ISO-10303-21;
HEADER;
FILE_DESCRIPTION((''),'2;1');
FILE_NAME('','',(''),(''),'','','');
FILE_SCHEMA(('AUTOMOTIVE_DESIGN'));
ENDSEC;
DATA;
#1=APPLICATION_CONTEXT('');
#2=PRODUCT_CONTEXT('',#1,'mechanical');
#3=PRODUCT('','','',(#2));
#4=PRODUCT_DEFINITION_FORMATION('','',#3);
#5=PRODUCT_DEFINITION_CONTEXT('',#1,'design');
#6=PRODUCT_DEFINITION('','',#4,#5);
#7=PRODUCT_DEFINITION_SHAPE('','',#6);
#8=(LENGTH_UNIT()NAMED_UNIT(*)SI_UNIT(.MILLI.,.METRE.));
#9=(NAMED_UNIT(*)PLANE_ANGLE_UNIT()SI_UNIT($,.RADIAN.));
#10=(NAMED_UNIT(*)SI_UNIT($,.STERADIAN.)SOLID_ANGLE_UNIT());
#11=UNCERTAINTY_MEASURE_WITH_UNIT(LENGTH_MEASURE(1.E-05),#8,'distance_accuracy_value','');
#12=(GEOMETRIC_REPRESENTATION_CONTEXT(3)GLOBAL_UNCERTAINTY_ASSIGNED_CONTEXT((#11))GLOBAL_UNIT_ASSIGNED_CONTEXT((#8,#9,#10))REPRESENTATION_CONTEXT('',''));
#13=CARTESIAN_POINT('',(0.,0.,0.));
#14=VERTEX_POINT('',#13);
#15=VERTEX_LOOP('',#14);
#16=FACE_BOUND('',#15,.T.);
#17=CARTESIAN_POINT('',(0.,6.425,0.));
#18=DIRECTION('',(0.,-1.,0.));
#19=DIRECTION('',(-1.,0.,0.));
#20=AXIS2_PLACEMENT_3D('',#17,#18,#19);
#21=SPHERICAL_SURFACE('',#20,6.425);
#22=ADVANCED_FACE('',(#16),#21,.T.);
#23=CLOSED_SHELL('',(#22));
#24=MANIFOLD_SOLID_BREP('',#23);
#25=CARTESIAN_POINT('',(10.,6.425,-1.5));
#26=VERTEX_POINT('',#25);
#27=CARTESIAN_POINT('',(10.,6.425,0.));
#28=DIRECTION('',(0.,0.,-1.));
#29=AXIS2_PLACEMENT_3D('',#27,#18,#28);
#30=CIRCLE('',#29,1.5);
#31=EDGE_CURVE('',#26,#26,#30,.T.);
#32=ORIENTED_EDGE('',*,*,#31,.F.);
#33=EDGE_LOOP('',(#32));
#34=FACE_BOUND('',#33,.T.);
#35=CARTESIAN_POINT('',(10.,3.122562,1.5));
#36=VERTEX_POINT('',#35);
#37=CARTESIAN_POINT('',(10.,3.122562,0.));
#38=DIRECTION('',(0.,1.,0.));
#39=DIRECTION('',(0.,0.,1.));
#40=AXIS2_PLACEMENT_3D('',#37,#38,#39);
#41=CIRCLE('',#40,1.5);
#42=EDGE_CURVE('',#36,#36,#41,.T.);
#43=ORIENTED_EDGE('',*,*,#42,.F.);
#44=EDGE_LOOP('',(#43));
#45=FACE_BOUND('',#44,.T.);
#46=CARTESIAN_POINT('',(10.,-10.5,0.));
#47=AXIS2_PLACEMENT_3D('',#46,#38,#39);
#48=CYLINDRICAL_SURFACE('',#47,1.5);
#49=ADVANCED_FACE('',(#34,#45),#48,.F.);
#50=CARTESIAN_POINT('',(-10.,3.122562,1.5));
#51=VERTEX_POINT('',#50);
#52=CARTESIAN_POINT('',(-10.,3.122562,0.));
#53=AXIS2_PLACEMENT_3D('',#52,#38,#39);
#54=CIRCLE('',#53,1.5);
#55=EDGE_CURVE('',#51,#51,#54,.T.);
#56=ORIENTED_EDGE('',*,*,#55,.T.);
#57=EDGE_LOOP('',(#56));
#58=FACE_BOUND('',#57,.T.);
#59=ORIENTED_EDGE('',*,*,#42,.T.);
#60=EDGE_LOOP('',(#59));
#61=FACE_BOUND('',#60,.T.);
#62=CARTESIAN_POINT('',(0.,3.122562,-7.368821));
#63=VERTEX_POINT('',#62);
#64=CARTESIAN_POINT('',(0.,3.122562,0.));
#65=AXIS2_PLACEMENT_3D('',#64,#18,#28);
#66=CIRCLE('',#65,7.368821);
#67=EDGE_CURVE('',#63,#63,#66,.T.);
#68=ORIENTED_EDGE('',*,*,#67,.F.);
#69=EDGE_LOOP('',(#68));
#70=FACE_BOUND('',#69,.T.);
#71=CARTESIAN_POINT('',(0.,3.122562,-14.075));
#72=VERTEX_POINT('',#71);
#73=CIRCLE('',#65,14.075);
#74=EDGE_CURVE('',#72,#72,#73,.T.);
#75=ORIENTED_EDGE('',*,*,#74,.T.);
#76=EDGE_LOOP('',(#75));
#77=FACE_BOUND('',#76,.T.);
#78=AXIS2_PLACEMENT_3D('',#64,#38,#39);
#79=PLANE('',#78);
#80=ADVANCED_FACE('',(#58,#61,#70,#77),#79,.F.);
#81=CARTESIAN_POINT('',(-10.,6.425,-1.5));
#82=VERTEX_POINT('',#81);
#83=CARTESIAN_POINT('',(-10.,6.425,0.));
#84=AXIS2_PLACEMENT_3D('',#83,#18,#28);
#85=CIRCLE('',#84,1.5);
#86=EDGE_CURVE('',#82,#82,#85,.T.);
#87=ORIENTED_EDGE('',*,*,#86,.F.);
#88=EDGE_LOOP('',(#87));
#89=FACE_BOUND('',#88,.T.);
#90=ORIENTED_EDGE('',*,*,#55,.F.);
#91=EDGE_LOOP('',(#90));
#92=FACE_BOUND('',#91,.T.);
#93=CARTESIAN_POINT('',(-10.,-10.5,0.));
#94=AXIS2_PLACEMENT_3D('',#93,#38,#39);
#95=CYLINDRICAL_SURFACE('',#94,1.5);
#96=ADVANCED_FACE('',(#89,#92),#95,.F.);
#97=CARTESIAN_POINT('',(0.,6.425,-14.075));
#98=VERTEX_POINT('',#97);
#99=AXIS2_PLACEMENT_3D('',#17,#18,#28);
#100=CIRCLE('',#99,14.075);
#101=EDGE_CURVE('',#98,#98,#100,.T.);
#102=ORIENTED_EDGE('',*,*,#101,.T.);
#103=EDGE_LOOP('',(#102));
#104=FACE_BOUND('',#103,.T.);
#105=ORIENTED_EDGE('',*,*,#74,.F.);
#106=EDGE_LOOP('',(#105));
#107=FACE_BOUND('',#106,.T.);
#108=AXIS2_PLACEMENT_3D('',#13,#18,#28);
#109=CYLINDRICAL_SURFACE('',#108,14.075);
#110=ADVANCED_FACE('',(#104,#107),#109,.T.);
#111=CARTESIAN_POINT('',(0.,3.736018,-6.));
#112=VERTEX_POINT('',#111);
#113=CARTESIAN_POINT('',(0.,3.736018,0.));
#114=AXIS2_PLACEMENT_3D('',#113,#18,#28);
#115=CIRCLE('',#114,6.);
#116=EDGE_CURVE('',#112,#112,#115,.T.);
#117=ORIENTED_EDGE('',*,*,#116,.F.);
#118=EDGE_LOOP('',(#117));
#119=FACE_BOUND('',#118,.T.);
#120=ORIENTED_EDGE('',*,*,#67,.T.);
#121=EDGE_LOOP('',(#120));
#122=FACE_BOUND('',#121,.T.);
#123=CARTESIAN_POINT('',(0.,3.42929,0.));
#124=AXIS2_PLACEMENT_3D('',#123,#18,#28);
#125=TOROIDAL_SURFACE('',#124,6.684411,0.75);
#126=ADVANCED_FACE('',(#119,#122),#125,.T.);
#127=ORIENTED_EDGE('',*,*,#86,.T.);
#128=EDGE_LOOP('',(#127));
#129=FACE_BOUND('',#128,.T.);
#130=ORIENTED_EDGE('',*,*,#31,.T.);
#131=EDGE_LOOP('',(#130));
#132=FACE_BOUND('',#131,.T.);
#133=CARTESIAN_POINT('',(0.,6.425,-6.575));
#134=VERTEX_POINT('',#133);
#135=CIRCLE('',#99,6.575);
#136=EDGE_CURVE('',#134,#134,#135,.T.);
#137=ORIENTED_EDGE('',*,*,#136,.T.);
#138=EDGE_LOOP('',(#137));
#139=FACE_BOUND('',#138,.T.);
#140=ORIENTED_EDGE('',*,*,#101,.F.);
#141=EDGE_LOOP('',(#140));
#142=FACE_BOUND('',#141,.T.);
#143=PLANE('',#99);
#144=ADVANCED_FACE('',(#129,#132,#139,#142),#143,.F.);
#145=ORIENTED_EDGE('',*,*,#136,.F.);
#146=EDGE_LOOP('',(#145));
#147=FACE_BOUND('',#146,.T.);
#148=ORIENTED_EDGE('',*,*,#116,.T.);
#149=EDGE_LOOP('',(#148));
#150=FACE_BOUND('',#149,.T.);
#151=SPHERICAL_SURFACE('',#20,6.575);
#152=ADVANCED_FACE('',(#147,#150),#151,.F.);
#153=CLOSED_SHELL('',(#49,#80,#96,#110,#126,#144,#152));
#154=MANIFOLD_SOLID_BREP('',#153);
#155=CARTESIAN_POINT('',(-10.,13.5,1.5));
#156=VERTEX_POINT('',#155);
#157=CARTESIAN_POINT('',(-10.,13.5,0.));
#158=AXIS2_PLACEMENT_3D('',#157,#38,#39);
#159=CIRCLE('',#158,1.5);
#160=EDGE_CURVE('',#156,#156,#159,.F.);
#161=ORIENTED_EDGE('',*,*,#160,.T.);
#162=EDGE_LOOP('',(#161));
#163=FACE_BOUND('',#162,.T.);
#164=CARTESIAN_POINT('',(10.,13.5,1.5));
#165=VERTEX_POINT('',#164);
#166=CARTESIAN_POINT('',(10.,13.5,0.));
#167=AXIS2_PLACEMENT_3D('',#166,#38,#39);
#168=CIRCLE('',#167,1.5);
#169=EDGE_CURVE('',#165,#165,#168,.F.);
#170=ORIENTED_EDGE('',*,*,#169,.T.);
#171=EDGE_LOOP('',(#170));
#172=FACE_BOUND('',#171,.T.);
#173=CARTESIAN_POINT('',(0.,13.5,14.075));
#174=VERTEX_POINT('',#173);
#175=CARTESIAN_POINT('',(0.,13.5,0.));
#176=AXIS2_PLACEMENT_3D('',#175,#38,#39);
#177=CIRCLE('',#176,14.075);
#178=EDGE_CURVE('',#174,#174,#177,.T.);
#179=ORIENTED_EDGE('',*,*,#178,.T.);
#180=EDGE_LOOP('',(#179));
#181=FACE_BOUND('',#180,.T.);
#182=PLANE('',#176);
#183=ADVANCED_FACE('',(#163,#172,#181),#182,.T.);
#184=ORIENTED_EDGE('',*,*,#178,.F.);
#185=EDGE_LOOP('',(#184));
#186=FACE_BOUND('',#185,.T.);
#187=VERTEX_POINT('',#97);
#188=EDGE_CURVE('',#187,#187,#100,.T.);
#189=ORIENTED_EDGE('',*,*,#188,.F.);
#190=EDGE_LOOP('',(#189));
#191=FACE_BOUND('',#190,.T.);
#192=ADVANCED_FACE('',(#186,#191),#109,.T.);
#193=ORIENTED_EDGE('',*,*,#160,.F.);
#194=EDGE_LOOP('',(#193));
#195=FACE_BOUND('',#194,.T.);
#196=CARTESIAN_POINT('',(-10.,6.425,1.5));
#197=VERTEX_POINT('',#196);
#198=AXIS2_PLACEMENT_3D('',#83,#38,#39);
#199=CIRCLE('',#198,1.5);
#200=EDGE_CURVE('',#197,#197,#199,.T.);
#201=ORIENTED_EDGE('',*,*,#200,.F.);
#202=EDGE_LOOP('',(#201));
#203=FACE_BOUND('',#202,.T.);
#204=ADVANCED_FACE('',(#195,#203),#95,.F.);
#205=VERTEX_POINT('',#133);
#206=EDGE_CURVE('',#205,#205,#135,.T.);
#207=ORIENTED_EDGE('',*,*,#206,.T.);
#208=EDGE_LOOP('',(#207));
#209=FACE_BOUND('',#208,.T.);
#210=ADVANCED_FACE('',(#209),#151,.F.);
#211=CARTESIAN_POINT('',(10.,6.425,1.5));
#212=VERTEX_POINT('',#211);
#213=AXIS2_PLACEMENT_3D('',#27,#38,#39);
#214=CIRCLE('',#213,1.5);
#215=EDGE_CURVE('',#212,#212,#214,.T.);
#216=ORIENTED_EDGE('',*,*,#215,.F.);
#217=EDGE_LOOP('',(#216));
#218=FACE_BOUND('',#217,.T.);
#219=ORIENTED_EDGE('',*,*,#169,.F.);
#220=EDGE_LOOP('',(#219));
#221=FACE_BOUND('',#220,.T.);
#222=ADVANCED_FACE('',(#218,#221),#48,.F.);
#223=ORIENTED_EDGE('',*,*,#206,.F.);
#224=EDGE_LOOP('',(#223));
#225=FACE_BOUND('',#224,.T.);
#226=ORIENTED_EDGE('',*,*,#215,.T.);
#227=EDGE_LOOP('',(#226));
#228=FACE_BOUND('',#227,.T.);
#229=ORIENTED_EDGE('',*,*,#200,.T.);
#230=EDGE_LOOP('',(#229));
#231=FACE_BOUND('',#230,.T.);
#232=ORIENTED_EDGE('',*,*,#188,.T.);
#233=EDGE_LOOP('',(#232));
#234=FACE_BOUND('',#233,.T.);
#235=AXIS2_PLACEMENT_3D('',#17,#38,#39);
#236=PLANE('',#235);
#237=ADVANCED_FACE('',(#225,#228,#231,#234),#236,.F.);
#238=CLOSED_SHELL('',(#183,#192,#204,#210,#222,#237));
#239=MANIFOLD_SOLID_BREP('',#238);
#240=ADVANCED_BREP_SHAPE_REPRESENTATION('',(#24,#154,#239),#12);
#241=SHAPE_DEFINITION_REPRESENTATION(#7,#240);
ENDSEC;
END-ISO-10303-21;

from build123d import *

# Parameters (mm, degrees)
SKETCH2_R          = 1.5
CUT_EXTRUDE1_DEPTH = 25
SKETCH3_R          = 14.075
CUT_EXTRUDE2_DEPTH = 1


with BuildPart() as part:
    # Sketch1 → Revolve1 (revolve)
    with BuildSketch(Plane.XY):
        with BuildLine():
            Line((0, 0), (0, 12.85))
            ThreePointArc((0, 12.85), (-6.425, 6.425), (0, 0))
        make_face()
    revolve(axis=Axis((0, 0, 0), (0, 1, 0)))


with BuildPart() as body_2:
    # Sketch1<3> → Revolve2 (revolve)
    with BuildSketch(Plane.XY):
        with BuildLine():
            Line((14.075, 6.425), (14.075, 14.5))
            Line((14.075, 14.5), (0, 14.5))
            Line((0, 14.5), (0, 13))
            ThreePointArc((0, 13), (4.649227086, 11.074227086), (6.575, 6.425))
            Line((6.575, 6.425), (14.075, 6.425))
        make_face()
    revolve(axis=Axis((0, 0, 0), (0, 1, 0)))


with BuildPart() as body_3:
    # Sketch1<4> → Revolve3 (revolve)
    with BuildSketch(Plane.XY):
        with BuildLine():
            Line((-14.075, 3.122561847), (-7.368821293, 3.122561847))
            ThreePointArc((-7.368821293, 3.122561847), (-6.377682645, 2.744879202), (-6, 3.736017851))
            ThreePointArc((-6, 3.736017851), (-6.429643264, 5.050113641), (-6.575, 6.425))
            Line((-6.575, 6.425), (-14.075, 6.425))
            Line((-14.075, 6.425), (-14.075, 3.122561847))
        make_face()
    revolve(axis=Axis((0, 0, 0), (0, 1, 0)))


with BuildPart() as cut_extrude1_tool:
    # Sketch2 → Cut-Extrude1 (new body)
    with BuildSketch(Plane(origin=(0, 14.5, 0), x_dir=(1, 0, 0), z_dir=(0, 1, 0))):
        with Locations((-10, 0)):
            Circle(SKETCH2_R)
        with Locations((10, 0)):
            Circle(SKETCH2_R)
    extrude(amount=-CUT_EXTRUDE1_DEPTH)


with BuildPart() as body_2_1:
    add(body_2.part)

    # Cut-Extrude1: cut by cut_extrude1_tool
    add(cut_extrude1_tool.part, mode=Mode.SUBTRACT)

    # Sketch3 → Cut-Extrude2 (cut)
    with BuildSketch(Plane(origin=(0, 14.5, 0), x_dir=(1, 0, 0), z_dir=(0, 1, 0))):
        Circle(SKETCH3_R)
    extrude(amount=-CUT_EXTRUDE2_DEPTH, mode=Mode.SUBTRACT)


with BuildPart() as body_3_1:
    add(body_3.part)

    # Cut-Extrude1: cut by cut_extrude1_tool
    add(cut_extrude1_tool.part, mode=Mode.SUBTRACT)


solid = Compound([part.part, body_2_1.part, body_3_1.part])
